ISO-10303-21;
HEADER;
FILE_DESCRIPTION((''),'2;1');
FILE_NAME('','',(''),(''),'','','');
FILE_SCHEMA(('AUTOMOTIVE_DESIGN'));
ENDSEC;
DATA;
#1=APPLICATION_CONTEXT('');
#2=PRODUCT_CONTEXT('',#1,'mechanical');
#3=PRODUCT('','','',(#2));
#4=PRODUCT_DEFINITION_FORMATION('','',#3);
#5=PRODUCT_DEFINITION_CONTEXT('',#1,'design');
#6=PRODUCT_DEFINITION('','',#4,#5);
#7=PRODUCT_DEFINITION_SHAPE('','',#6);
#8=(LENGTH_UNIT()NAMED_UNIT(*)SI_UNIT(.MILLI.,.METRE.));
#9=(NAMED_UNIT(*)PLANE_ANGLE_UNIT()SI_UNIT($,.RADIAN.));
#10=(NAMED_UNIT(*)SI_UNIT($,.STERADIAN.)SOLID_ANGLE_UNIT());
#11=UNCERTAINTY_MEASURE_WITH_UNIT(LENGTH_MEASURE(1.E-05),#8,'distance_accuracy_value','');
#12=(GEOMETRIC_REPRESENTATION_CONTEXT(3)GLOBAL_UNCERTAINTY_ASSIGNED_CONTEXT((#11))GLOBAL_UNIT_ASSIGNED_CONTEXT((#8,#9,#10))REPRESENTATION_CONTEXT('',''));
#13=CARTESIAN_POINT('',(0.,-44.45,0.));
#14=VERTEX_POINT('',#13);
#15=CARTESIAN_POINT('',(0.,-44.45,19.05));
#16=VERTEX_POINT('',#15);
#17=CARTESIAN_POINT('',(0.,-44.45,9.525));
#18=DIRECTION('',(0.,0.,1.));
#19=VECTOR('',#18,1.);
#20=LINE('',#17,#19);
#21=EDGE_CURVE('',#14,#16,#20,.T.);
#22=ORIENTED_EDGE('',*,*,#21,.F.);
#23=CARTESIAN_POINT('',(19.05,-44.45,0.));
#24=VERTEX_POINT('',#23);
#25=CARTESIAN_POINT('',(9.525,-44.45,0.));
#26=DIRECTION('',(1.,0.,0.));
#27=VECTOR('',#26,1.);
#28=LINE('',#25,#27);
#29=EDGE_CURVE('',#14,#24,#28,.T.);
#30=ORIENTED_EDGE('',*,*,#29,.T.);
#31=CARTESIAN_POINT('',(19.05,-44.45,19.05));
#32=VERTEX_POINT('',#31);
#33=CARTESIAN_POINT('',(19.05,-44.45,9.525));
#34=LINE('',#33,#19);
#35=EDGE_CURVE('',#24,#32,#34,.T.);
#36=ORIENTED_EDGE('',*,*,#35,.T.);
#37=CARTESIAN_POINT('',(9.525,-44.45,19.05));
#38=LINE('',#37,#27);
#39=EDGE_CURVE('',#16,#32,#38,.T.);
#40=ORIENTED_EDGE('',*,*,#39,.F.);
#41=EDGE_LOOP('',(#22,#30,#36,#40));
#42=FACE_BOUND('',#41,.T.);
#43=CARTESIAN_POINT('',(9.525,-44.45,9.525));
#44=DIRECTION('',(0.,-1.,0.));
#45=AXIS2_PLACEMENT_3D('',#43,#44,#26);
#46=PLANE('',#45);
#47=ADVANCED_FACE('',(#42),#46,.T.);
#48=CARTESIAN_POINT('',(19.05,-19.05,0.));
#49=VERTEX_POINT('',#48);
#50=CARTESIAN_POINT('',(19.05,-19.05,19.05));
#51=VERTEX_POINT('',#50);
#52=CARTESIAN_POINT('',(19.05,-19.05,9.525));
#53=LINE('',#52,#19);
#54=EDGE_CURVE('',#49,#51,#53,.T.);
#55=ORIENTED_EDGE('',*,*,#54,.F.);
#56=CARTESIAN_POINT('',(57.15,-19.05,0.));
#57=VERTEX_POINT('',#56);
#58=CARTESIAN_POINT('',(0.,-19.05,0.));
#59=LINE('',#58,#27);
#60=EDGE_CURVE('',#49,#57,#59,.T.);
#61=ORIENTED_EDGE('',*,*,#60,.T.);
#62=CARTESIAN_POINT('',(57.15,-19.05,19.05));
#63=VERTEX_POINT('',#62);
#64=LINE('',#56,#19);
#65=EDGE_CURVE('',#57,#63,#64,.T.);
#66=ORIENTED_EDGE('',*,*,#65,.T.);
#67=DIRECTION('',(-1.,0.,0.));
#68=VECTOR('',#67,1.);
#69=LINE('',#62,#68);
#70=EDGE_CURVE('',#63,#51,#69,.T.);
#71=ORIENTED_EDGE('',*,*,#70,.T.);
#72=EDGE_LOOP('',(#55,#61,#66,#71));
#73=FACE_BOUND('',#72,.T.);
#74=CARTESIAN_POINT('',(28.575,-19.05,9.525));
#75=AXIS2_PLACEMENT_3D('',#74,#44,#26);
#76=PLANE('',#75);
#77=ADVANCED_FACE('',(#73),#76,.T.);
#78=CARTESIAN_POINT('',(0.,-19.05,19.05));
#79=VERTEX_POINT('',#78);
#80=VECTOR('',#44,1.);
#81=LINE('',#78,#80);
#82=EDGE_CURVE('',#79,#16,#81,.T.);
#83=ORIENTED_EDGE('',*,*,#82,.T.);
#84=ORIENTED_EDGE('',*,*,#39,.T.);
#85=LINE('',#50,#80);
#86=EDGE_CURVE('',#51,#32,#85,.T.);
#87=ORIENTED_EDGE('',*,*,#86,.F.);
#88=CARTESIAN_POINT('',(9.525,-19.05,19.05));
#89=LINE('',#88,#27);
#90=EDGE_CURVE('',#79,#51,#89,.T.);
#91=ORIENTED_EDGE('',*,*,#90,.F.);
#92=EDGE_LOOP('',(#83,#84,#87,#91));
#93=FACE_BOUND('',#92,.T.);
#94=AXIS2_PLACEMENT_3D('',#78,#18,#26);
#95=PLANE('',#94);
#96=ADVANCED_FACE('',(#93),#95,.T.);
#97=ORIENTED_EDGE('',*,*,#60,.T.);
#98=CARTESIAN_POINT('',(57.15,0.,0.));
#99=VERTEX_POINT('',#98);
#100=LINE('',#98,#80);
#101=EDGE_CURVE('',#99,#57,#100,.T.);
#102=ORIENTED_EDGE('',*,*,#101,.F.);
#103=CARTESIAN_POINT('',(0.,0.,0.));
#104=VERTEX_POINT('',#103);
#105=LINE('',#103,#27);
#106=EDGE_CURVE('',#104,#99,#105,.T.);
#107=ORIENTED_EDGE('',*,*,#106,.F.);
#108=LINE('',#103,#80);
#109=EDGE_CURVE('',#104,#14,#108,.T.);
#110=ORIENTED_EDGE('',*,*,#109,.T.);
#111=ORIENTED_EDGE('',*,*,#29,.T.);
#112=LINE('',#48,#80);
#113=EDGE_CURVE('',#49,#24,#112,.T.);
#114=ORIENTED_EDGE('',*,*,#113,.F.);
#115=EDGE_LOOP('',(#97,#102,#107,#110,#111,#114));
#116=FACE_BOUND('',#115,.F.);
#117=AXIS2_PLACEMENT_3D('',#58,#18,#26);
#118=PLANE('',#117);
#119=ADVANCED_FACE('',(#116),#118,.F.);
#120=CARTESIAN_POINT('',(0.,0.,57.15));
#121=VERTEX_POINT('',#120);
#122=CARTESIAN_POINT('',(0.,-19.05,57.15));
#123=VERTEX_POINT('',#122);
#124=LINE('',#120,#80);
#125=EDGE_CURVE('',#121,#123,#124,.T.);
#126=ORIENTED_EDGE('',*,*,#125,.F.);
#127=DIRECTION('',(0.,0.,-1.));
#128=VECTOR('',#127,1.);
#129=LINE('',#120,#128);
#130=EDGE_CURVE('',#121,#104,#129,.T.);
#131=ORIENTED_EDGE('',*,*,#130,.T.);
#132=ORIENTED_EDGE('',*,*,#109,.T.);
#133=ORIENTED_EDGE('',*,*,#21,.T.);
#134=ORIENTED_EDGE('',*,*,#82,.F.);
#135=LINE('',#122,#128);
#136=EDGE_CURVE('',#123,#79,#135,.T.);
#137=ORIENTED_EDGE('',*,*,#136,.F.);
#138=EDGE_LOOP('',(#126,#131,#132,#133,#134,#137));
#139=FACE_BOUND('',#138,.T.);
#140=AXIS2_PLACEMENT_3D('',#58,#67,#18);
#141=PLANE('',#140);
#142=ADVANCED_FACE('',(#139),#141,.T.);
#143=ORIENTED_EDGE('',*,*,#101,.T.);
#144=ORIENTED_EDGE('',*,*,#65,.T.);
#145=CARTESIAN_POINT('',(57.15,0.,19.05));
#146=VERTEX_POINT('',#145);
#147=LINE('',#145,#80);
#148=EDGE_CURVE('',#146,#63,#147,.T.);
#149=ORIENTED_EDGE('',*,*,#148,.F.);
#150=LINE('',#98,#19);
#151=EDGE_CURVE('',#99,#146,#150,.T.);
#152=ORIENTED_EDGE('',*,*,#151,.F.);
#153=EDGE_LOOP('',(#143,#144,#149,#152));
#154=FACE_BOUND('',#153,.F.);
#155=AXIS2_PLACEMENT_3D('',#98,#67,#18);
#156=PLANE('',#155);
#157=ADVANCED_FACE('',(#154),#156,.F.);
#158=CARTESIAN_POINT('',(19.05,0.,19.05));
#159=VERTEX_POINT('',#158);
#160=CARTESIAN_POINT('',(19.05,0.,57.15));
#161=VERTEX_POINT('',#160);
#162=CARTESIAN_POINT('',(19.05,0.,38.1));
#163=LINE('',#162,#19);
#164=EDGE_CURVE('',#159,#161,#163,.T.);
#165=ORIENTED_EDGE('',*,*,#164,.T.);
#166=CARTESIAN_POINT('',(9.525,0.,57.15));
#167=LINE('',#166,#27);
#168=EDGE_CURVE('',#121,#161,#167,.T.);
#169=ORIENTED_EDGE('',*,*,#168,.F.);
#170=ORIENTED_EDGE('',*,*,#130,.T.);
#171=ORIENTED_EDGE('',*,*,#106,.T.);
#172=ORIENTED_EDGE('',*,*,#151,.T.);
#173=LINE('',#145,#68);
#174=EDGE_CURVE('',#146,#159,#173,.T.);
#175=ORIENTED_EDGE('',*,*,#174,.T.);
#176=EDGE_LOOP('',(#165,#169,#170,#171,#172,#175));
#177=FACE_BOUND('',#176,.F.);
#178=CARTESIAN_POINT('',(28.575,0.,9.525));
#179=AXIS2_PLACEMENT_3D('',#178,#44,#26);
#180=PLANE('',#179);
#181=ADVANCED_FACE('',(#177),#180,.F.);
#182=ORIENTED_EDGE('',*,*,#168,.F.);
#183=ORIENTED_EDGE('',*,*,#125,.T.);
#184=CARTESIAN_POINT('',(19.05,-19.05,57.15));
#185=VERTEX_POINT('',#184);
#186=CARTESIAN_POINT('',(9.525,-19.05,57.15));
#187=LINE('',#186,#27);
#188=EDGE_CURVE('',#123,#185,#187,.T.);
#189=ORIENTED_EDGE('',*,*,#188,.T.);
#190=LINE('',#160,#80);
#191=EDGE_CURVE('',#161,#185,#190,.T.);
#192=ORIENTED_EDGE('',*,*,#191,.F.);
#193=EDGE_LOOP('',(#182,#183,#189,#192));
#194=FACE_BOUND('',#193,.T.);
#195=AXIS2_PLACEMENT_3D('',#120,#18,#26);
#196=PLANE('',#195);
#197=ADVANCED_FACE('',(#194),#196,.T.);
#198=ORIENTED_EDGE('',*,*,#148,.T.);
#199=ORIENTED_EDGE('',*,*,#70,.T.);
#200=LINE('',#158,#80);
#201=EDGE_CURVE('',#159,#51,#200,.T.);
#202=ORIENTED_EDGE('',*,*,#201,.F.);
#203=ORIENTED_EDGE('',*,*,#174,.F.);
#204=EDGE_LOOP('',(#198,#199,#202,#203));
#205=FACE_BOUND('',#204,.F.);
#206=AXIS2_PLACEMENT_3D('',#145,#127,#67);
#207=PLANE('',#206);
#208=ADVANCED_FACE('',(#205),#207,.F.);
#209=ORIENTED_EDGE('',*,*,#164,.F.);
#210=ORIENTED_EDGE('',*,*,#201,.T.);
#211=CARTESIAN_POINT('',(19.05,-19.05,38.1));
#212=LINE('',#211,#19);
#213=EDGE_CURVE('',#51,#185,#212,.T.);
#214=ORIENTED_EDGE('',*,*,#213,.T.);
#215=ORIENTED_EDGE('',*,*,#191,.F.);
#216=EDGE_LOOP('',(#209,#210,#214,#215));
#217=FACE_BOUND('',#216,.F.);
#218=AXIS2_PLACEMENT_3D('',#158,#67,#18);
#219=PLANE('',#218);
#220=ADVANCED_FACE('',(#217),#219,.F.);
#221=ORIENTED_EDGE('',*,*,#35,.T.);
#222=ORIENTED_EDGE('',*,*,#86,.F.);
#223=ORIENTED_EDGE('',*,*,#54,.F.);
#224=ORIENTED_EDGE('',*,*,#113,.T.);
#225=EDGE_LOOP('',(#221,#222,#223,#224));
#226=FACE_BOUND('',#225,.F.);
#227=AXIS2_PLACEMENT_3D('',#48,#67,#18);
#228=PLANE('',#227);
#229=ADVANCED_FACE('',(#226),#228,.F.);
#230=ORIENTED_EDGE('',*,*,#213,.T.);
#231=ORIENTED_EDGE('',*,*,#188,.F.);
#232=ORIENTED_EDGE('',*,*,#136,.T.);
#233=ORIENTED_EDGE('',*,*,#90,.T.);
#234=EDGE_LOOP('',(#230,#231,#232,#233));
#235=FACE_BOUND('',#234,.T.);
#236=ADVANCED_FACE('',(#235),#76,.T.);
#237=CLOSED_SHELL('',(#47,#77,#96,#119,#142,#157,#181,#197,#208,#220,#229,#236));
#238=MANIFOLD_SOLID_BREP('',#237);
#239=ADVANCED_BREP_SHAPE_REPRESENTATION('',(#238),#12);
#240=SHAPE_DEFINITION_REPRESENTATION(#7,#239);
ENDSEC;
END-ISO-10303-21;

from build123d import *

# Parameters (mm, degrees)
F0_W     = 19.05
F0_H     = 38.1
F1_DEPTH = 19.05
F2_W     = 19.05
F2_H     = 19.05
F3_DEPTH = 25.4


with BuildPart() as f1:
    # F0 (on Front) → F1 (new body)
    with BuildSketch(Plane.XZ):
        Polygon((0, 19.05), (0, 0), (57.15, 0), (57.15, 19.05), (19.05, 19.05), align=None)
        with Locations((9.525, 38.1)):
            Rectangle(F0_W, F0_H)
    extrude(amount=F1_DEPTH)

    # F2 (on face) → F3 (join)
    with BuildSketch(Plane.XZ.offset(19.05)):
        with Locations((9.525, 9.525)):
            Rectangle(F2_W, F2_H)
    extrude(amount=F3_DEPTH)


solid = f1.part
